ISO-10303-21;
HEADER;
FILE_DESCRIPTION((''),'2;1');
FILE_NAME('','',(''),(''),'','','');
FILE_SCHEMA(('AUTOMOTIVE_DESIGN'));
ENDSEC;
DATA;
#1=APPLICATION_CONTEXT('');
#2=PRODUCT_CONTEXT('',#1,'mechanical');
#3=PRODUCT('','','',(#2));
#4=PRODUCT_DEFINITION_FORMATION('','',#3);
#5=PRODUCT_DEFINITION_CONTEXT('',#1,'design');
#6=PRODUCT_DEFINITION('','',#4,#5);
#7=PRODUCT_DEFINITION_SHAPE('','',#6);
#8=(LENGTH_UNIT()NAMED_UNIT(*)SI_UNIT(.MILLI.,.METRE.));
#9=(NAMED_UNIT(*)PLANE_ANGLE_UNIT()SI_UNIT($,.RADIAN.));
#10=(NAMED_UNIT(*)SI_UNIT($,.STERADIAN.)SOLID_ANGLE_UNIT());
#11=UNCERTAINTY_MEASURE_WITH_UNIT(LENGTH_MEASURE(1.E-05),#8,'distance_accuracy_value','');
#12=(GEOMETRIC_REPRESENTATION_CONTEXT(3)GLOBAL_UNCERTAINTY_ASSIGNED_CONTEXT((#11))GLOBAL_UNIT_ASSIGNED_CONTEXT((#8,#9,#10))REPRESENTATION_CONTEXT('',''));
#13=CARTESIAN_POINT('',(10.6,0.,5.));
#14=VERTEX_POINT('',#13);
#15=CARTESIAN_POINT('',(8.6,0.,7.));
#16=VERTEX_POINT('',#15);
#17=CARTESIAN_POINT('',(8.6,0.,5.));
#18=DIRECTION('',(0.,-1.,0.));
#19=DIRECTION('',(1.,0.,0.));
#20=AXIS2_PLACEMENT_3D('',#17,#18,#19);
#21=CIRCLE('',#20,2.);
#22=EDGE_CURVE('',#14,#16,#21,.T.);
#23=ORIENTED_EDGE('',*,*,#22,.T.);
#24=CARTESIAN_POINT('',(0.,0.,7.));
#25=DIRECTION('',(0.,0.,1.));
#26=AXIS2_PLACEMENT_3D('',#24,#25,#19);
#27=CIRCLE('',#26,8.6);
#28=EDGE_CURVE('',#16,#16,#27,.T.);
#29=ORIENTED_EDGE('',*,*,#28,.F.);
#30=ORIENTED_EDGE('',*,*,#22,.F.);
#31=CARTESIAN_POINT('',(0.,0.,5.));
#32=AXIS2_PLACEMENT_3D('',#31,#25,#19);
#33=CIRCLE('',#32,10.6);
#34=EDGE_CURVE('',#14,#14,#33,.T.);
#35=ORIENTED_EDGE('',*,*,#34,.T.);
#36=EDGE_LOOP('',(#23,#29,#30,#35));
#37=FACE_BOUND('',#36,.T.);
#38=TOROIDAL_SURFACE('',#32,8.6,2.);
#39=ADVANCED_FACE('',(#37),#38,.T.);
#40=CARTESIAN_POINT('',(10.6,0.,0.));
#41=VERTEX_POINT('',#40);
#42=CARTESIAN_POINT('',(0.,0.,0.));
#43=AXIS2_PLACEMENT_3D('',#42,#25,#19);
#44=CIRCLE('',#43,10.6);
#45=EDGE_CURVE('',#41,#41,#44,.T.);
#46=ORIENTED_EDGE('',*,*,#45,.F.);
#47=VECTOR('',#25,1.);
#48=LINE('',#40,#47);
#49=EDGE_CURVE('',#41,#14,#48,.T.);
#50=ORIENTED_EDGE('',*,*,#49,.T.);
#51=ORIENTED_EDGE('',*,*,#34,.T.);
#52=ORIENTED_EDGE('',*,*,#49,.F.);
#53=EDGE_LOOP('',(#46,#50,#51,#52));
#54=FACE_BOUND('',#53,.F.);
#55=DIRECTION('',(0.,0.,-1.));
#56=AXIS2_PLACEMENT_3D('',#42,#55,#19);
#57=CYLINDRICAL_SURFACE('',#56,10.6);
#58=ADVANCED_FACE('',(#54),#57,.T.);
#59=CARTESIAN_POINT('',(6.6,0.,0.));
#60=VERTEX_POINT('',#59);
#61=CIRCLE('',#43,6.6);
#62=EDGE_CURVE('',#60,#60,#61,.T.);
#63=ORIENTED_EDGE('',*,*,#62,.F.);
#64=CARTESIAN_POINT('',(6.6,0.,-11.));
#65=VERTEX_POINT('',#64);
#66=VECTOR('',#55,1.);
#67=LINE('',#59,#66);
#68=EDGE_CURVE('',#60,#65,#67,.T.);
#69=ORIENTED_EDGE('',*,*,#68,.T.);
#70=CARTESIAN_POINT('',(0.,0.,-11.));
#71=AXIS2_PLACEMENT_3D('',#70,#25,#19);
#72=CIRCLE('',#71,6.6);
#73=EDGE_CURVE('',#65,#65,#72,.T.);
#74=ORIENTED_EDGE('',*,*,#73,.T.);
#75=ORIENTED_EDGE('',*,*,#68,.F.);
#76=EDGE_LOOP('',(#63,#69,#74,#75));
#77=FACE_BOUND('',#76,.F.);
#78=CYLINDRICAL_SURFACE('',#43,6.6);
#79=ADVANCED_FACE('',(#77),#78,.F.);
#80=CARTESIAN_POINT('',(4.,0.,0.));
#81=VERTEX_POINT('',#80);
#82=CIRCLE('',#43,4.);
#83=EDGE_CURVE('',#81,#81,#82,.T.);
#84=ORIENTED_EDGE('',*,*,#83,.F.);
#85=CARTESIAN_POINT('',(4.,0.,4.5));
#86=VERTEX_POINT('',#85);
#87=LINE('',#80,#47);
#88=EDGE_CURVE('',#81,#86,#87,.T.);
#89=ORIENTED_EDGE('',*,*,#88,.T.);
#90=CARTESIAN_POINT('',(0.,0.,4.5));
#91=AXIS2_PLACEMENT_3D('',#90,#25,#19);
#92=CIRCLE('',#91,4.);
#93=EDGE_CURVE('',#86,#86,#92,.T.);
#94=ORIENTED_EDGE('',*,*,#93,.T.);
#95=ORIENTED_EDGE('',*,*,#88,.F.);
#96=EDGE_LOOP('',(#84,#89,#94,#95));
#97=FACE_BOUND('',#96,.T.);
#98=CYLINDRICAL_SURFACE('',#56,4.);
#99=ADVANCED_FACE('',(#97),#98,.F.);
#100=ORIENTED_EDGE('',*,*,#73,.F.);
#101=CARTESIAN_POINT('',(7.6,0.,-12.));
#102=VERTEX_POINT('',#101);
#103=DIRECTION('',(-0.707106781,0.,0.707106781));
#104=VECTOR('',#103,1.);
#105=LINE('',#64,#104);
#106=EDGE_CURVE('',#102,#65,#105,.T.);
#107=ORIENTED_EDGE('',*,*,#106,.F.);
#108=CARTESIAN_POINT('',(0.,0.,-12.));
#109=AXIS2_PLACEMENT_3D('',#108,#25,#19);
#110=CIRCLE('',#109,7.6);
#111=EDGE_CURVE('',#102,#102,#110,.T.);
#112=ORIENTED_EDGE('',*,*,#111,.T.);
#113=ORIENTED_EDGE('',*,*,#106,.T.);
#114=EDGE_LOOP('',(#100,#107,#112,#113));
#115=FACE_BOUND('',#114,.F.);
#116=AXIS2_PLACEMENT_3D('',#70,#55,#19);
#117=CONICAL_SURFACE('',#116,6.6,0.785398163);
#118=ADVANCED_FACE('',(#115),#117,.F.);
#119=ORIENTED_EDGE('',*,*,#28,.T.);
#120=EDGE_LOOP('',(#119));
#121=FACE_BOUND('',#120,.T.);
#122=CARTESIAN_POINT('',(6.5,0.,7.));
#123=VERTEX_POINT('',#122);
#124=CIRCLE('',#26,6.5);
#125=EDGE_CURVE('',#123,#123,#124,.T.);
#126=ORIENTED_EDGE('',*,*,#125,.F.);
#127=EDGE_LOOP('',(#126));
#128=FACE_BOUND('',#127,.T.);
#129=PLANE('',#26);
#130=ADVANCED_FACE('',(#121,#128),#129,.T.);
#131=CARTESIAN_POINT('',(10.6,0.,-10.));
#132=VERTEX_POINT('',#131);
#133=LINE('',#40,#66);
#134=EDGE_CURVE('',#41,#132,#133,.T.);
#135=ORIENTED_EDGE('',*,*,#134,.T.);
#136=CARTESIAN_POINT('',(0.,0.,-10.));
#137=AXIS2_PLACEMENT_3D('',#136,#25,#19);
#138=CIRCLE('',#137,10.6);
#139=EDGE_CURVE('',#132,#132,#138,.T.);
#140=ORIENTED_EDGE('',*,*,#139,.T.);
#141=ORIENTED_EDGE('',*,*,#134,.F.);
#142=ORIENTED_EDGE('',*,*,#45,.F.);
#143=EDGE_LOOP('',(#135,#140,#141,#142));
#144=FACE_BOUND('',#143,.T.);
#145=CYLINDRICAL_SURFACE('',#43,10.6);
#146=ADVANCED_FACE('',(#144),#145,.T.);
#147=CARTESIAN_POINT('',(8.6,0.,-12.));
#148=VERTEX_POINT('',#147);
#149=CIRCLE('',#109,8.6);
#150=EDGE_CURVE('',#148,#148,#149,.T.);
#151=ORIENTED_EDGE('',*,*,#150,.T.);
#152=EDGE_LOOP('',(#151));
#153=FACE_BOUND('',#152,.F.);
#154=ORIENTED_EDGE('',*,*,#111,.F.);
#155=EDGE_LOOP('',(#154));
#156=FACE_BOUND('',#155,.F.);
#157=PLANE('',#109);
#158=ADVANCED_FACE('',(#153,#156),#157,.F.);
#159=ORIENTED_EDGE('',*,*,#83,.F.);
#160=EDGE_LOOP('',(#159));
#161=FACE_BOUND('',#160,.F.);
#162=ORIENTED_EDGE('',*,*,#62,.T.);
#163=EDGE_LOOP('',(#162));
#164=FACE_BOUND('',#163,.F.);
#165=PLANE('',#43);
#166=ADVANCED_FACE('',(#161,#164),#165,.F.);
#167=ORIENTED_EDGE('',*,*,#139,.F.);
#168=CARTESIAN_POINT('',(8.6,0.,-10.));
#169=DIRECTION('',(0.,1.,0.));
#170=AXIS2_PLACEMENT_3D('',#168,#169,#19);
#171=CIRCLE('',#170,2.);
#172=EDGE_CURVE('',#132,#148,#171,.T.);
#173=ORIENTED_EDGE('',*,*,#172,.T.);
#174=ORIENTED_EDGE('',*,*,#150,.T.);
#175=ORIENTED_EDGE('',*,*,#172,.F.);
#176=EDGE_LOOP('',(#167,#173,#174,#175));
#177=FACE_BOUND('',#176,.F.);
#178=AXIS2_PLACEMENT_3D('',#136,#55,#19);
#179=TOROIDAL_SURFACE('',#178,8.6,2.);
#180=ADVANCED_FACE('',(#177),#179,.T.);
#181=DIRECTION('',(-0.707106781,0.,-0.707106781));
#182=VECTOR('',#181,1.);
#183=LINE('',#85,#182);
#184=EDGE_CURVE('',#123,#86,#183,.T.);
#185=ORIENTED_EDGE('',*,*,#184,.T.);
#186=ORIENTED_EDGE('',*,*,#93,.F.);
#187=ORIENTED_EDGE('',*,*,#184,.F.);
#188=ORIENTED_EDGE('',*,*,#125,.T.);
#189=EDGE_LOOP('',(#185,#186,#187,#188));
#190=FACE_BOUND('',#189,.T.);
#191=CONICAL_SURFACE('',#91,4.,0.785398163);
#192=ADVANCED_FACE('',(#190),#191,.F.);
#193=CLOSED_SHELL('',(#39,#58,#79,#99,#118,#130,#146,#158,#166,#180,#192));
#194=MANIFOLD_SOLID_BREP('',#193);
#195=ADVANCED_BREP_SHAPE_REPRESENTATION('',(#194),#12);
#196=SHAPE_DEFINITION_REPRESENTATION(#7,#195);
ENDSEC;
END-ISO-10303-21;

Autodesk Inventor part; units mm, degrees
ref_plane "YZ Plane" through (0, 0, 0) normal (1, 0, 0) x (0, 1, 0)
ref_plane "XZ Plane" through (0, 0, 0) normal (0, 1, 0) x (-1, 0, 0)
ref_plane "XY Plane" through (0, 0, 0) normal (0, 0, 1) x (1, 0, 0)
sketch "Эскиз1" plane through (0, 0, 0) normal (0, 0, 1) x (1, 0, 0)
  circle A0 centre (0, 0) radius 6.6
  circle A1 centre (0, 0) radius 10.6
  dimension "d0" = 13.2
  dimension "d1" = 4
extrude "Выдавливание1" add sketch "Эскиз1" along normal blind 7 and the other way blind 12
fillet "Сопряжение1" radius 2 2 edges at (-10.6, 0, 7) (-10.6, 0, -12)
chamfer "Фаска1" distance 1 angle 45 1 edges at (-6.6, 0, -12)
ref_plane "РабПлоскость1" through (0, 0, 0) normal (0, 0, 1) x (1, 0, 0)
sketch "Эскиз2" plane through (0, 0, 0) normal (0, 0, 1) x (1, 0, 0)
  circle A0 centre (0, 0) radius 4
  circle A1 centre (0, 0) radius 8.6 projected
  circle A2 centre (0, 0) radius 7.5
  dimension "d10" = 8
  dimension "d11" = 15
extrude "Выдавливание2" add sketch "Эскиз2" along normal blind 7 contours A2
chamfer "Фаска2" distance 2.5 angle 45 1 edges at (-4, 0, 7)
properties part number "ПодпорныйКаток"
